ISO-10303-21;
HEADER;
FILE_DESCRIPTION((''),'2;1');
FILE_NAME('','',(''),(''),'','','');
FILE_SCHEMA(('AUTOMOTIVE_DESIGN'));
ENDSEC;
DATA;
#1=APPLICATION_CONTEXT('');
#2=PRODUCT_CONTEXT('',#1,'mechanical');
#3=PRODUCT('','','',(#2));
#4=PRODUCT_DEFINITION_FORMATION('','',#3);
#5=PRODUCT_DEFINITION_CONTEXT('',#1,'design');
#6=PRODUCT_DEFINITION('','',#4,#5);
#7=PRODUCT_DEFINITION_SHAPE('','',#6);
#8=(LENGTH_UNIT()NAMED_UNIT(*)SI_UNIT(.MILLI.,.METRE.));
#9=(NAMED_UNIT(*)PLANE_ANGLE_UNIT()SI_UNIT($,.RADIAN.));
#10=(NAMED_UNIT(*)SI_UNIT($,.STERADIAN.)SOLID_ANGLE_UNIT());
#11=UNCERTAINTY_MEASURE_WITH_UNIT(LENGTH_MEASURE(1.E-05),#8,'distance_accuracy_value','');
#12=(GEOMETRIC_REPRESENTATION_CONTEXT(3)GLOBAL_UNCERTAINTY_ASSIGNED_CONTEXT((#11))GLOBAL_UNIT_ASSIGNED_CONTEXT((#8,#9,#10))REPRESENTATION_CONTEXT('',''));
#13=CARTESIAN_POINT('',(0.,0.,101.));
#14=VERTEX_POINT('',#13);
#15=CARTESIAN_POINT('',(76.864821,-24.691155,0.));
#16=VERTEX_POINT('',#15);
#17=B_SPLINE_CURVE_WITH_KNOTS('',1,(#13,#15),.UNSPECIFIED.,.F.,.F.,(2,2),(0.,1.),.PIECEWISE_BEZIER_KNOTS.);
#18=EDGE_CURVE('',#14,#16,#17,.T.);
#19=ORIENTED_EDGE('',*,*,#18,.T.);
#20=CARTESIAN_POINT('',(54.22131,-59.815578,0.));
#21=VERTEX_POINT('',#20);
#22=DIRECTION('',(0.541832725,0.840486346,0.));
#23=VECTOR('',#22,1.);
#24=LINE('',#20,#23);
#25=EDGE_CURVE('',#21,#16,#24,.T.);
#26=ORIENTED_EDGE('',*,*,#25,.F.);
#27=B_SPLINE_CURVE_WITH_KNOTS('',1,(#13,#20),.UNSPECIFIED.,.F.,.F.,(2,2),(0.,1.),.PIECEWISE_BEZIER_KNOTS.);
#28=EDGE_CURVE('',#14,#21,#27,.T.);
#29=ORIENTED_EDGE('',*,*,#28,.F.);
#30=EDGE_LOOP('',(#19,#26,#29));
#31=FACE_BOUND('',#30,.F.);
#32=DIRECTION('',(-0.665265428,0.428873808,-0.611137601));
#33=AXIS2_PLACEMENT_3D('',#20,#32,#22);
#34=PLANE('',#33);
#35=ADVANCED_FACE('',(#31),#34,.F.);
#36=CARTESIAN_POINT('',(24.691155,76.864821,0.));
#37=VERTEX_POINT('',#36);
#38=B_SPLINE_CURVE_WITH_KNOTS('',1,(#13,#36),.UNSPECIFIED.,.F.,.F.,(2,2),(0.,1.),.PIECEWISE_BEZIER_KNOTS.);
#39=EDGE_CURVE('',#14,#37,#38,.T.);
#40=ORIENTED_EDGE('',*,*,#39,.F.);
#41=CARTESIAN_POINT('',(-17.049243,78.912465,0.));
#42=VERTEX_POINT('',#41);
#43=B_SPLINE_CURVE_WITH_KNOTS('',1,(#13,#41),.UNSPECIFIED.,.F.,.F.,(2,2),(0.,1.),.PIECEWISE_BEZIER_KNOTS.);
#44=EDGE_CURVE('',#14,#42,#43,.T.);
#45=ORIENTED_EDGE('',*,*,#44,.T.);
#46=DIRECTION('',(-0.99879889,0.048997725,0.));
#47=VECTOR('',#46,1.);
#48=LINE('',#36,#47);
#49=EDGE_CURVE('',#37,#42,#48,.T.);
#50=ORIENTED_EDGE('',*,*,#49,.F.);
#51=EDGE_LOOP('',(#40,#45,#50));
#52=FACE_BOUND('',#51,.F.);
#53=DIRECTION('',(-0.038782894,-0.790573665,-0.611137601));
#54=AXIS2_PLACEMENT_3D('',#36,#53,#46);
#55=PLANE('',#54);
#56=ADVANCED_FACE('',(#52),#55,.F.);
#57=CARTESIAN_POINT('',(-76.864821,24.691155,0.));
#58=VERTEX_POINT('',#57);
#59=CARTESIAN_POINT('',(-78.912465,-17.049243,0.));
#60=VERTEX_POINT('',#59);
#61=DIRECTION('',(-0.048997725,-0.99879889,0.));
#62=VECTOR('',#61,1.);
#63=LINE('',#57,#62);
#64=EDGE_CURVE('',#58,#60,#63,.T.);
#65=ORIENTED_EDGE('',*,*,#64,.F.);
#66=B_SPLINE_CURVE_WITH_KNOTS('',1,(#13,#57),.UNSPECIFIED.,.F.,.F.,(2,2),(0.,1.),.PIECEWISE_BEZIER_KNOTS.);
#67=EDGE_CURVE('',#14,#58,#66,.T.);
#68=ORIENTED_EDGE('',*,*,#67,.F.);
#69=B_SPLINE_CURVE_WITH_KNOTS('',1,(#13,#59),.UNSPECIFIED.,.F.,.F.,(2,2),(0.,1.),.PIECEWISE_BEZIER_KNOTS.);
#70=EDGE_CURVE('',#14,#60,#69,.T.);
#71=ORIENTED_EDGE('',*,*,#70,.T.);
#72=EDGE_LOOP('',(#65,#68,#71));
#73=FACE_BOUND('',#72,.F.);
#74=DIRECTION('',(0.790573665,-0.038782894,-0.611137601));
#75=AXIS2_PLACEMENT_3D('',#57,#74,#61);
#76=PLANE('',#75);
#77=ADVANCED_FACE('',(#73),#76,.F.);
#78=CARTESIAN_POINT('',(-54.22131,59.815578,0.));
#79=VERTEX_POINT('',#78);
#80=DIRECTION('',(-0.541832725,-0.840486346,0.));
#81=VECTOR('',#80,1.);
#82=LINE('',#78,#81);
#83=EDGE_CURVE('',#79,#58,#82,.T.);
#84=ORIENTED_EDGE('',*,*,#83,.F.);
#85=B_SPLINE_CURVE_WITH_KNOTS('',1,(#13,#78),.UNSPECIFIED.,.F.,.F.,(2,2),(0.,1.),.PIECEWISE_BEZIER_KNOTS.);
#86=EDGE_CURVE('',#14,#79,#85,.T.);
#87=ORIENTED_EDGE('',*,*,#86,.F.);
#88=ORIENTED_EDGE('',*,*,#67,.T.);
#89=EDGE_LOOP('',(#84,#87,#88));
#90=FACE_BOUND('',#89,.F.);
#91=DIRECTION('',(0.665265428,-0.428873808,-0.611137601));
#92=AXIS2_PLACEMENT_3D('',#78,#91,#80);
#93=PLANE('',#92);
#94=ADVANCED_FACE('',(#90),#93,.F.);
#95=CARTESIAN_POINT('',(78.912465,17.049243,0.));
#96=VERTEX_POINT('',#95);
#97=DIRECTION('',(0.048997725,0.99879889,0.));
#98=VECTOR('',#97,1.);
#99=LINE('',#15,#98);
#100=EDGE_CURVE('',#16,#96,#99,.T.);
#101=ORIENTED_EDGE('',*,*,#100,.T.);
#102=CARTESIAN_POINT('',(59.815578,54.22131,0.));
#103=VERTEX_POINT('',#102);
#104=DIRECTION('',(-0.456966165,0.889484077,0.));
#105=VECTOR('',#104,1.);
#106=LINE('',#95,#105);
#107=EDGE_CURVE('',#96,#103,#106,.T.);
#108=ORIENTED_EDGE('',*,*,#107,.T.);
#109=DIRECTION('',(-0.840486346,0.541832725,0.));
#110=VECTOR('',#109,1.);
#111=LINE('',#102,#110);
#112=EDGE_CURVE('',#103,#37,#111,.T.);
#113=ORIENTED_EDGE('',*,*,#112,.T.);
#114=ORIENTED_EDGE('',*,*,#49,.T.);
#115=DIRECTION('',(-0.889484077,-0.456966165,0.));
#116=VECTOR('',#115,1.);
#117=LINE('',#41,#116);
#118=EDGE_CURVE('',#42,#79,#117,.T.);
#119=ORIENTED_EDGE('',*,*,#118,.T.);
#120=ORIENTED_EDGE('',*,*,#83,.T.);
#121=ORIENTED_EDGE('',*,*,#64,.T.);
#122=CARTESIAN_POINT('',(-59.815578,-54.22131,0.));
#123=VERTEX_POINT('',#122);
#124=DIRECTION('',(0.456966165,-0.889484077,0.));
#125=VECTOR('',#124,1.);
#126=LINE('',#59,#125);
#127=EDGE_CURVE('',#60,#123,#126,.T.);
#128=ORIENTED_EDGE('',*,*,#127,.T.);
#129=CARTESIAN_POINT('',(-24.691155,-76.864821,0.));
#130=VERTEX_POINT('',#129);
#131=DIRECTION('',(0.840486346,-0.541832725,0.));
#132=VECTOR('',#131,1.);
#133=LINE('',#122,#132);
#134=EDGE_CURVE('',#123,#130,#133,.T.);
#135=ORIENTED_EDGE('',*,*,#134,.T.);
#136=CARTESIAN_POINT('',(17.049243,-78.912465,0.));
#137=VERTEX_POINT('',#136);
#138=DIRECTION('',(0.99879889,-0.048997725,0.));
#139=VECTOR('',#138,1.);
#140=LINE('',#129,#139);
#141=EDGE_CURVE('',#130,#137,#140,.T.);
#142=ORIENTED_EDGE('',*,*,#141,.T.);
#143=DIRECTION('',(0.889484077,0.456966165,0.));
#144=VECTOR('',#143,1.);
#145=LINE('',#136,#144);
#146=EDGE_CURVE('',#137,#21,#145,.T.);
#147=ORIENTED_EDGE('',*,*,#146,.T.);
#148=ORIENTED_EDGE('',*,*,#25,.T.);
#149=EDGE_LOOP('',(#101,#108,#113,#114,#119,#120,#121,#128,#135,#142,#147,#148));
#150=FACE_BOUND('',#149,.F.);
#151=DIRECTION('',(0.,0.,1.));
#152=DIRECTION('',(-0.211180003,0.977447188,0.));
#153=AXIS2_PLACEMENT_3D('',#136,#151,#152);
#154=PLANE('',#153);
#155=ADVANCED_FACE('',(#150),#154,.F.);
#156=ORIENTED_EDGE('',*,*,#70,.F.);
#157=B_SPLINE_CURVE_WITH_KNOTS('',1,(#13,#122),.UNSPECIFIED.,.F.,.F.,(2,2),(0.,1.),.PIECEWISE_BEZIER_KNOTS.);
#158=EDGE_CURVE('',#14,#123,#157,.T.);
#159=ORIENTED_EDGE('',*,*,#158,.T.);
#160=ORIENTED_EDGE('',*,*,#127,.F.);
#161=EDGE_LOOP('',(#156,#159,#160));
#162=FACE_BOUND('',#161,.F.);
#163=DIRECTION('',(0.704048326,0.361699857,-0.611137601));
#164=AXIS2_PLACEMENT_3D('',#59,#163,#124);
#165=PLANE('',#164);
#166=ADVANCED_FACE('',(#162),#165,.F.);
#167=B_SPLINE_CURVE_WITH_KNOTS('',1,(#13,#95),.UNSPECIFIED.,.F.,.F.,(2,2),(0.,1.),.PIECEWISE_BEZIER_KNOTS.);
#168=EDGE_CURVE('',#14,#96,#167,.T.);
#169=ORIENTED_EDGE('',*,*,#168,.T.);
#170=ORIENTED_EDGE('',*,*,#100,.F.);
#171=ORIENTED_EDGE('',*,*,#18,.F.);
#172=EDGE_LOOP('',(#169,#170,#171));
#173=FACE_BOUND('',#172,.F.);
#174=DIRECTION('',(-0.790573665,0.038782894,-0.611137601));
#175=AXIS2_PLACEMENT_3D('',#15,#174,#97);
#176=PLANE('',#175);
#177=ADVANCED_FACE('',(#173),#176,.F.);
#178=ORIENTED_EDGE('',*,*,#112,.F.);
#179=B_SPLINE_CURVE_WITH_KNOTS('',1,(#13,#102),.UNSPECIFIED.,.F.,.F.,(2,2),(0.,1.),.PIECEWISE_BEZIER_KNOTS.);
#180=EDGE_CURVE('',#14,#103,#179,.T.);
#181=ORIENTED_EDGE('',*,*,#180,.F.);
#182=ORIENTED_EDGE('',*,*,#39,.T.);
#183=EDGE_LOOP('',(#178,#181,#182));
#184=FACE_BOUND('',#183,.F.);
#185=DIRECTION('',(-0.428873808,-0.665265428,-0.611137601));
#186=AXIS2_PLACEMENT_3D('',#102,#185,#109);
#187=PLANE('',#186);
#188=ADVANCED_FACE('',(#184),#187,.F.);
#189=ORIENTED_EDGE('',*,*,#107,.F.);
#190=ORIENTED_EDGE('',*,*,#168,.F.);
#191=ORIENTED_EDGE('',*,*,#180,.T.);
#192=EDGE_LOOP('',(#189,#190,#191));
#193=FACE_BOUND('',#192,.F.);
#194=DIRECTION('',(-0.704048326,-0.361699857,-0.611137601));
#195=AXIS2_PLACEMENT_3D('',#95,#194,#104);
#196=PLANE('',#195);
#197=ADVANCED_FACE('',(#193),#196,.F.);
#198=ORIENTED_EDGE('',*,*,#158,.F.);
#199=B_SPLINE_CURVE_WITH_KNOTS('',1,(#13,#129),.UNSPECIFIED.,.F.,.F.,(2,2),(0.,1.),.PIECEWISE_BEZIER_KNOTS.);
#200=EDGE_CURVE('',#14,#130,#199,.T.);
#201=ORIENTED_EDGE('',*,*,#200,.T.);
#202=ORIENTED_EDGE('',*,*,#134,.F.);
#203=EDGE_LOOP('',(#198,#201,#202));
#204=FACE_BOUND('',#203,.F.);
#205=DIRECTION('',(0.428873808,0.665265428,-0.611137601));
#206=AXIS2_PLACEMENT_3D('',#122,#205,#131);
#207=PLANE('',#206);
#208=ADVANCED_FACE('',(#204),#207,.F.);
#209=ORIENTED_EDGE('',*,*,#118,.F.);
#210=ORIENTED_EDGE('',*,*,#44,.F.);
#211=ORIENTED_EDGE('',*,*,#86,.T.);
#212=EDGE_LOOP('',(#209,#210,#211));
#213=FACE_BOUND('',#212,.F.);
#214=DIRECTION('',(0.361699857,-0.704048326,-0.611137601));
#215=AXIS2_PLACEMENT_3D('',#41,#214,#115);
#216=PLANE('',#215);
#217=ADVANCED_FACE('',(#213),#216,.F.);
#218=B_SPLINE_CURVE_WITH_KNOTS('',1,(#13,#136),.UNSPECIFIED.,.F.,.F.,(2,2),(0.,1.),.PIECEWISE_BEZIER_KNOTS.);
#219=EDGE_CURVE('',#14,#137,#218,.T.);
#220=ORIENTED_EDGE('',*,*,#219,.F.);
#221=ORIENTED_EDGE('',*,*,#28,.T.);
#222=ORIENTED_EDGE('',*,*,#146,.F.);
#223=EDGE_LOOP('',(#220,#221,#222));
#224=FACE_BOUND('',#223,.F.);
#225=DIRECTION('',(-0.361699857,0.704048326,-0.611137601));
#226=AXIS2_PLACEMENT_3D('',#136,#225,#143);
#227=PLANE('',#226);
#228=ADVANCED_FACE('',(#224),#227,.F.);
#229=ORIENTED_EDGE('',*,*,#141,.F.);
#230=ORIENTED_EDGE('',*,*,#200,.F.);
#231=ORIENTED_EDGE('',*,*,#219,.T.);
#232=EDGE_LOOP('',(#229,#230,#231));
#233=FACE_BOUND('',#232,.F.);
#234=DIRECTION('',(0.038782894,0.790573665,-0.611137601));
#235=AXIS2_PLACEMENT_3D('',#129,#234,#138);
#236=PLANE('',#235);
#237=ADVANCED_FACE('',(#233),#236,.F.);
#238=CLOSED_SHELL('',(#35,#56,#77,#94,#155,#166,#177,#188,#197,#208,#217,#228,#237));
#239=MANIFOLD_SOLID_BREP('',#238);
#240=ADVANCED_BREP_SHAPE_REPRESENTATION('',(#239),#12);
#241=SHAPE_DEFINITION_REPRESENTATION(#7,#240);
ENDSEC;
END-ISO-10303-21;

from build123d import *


with BuildPart() as f3:
    # F0 (on Top) → F3 section 0
    with BuildSketch(Plane.XY, mode=Mode.PRIVATE) as f3_s0:
        Polygon((17.049243, -78.912465), (54.22131, -59.815578), (76.864821, -24.691155), (78.912465, 17.049243), (59.815578, 54.22131), (24.691155, 76.864821), (-17.049243, 78.912465), (-54.22131, 59.815578), (-76.864821, 24.691155), (-78.912465, -17.049243), (-59.815578, -54.22131), (-24.691155, -76.864821), align=None)
    loft([Vertex(0, 0, 101), f3_s0.sketch])


solid = f3.part
